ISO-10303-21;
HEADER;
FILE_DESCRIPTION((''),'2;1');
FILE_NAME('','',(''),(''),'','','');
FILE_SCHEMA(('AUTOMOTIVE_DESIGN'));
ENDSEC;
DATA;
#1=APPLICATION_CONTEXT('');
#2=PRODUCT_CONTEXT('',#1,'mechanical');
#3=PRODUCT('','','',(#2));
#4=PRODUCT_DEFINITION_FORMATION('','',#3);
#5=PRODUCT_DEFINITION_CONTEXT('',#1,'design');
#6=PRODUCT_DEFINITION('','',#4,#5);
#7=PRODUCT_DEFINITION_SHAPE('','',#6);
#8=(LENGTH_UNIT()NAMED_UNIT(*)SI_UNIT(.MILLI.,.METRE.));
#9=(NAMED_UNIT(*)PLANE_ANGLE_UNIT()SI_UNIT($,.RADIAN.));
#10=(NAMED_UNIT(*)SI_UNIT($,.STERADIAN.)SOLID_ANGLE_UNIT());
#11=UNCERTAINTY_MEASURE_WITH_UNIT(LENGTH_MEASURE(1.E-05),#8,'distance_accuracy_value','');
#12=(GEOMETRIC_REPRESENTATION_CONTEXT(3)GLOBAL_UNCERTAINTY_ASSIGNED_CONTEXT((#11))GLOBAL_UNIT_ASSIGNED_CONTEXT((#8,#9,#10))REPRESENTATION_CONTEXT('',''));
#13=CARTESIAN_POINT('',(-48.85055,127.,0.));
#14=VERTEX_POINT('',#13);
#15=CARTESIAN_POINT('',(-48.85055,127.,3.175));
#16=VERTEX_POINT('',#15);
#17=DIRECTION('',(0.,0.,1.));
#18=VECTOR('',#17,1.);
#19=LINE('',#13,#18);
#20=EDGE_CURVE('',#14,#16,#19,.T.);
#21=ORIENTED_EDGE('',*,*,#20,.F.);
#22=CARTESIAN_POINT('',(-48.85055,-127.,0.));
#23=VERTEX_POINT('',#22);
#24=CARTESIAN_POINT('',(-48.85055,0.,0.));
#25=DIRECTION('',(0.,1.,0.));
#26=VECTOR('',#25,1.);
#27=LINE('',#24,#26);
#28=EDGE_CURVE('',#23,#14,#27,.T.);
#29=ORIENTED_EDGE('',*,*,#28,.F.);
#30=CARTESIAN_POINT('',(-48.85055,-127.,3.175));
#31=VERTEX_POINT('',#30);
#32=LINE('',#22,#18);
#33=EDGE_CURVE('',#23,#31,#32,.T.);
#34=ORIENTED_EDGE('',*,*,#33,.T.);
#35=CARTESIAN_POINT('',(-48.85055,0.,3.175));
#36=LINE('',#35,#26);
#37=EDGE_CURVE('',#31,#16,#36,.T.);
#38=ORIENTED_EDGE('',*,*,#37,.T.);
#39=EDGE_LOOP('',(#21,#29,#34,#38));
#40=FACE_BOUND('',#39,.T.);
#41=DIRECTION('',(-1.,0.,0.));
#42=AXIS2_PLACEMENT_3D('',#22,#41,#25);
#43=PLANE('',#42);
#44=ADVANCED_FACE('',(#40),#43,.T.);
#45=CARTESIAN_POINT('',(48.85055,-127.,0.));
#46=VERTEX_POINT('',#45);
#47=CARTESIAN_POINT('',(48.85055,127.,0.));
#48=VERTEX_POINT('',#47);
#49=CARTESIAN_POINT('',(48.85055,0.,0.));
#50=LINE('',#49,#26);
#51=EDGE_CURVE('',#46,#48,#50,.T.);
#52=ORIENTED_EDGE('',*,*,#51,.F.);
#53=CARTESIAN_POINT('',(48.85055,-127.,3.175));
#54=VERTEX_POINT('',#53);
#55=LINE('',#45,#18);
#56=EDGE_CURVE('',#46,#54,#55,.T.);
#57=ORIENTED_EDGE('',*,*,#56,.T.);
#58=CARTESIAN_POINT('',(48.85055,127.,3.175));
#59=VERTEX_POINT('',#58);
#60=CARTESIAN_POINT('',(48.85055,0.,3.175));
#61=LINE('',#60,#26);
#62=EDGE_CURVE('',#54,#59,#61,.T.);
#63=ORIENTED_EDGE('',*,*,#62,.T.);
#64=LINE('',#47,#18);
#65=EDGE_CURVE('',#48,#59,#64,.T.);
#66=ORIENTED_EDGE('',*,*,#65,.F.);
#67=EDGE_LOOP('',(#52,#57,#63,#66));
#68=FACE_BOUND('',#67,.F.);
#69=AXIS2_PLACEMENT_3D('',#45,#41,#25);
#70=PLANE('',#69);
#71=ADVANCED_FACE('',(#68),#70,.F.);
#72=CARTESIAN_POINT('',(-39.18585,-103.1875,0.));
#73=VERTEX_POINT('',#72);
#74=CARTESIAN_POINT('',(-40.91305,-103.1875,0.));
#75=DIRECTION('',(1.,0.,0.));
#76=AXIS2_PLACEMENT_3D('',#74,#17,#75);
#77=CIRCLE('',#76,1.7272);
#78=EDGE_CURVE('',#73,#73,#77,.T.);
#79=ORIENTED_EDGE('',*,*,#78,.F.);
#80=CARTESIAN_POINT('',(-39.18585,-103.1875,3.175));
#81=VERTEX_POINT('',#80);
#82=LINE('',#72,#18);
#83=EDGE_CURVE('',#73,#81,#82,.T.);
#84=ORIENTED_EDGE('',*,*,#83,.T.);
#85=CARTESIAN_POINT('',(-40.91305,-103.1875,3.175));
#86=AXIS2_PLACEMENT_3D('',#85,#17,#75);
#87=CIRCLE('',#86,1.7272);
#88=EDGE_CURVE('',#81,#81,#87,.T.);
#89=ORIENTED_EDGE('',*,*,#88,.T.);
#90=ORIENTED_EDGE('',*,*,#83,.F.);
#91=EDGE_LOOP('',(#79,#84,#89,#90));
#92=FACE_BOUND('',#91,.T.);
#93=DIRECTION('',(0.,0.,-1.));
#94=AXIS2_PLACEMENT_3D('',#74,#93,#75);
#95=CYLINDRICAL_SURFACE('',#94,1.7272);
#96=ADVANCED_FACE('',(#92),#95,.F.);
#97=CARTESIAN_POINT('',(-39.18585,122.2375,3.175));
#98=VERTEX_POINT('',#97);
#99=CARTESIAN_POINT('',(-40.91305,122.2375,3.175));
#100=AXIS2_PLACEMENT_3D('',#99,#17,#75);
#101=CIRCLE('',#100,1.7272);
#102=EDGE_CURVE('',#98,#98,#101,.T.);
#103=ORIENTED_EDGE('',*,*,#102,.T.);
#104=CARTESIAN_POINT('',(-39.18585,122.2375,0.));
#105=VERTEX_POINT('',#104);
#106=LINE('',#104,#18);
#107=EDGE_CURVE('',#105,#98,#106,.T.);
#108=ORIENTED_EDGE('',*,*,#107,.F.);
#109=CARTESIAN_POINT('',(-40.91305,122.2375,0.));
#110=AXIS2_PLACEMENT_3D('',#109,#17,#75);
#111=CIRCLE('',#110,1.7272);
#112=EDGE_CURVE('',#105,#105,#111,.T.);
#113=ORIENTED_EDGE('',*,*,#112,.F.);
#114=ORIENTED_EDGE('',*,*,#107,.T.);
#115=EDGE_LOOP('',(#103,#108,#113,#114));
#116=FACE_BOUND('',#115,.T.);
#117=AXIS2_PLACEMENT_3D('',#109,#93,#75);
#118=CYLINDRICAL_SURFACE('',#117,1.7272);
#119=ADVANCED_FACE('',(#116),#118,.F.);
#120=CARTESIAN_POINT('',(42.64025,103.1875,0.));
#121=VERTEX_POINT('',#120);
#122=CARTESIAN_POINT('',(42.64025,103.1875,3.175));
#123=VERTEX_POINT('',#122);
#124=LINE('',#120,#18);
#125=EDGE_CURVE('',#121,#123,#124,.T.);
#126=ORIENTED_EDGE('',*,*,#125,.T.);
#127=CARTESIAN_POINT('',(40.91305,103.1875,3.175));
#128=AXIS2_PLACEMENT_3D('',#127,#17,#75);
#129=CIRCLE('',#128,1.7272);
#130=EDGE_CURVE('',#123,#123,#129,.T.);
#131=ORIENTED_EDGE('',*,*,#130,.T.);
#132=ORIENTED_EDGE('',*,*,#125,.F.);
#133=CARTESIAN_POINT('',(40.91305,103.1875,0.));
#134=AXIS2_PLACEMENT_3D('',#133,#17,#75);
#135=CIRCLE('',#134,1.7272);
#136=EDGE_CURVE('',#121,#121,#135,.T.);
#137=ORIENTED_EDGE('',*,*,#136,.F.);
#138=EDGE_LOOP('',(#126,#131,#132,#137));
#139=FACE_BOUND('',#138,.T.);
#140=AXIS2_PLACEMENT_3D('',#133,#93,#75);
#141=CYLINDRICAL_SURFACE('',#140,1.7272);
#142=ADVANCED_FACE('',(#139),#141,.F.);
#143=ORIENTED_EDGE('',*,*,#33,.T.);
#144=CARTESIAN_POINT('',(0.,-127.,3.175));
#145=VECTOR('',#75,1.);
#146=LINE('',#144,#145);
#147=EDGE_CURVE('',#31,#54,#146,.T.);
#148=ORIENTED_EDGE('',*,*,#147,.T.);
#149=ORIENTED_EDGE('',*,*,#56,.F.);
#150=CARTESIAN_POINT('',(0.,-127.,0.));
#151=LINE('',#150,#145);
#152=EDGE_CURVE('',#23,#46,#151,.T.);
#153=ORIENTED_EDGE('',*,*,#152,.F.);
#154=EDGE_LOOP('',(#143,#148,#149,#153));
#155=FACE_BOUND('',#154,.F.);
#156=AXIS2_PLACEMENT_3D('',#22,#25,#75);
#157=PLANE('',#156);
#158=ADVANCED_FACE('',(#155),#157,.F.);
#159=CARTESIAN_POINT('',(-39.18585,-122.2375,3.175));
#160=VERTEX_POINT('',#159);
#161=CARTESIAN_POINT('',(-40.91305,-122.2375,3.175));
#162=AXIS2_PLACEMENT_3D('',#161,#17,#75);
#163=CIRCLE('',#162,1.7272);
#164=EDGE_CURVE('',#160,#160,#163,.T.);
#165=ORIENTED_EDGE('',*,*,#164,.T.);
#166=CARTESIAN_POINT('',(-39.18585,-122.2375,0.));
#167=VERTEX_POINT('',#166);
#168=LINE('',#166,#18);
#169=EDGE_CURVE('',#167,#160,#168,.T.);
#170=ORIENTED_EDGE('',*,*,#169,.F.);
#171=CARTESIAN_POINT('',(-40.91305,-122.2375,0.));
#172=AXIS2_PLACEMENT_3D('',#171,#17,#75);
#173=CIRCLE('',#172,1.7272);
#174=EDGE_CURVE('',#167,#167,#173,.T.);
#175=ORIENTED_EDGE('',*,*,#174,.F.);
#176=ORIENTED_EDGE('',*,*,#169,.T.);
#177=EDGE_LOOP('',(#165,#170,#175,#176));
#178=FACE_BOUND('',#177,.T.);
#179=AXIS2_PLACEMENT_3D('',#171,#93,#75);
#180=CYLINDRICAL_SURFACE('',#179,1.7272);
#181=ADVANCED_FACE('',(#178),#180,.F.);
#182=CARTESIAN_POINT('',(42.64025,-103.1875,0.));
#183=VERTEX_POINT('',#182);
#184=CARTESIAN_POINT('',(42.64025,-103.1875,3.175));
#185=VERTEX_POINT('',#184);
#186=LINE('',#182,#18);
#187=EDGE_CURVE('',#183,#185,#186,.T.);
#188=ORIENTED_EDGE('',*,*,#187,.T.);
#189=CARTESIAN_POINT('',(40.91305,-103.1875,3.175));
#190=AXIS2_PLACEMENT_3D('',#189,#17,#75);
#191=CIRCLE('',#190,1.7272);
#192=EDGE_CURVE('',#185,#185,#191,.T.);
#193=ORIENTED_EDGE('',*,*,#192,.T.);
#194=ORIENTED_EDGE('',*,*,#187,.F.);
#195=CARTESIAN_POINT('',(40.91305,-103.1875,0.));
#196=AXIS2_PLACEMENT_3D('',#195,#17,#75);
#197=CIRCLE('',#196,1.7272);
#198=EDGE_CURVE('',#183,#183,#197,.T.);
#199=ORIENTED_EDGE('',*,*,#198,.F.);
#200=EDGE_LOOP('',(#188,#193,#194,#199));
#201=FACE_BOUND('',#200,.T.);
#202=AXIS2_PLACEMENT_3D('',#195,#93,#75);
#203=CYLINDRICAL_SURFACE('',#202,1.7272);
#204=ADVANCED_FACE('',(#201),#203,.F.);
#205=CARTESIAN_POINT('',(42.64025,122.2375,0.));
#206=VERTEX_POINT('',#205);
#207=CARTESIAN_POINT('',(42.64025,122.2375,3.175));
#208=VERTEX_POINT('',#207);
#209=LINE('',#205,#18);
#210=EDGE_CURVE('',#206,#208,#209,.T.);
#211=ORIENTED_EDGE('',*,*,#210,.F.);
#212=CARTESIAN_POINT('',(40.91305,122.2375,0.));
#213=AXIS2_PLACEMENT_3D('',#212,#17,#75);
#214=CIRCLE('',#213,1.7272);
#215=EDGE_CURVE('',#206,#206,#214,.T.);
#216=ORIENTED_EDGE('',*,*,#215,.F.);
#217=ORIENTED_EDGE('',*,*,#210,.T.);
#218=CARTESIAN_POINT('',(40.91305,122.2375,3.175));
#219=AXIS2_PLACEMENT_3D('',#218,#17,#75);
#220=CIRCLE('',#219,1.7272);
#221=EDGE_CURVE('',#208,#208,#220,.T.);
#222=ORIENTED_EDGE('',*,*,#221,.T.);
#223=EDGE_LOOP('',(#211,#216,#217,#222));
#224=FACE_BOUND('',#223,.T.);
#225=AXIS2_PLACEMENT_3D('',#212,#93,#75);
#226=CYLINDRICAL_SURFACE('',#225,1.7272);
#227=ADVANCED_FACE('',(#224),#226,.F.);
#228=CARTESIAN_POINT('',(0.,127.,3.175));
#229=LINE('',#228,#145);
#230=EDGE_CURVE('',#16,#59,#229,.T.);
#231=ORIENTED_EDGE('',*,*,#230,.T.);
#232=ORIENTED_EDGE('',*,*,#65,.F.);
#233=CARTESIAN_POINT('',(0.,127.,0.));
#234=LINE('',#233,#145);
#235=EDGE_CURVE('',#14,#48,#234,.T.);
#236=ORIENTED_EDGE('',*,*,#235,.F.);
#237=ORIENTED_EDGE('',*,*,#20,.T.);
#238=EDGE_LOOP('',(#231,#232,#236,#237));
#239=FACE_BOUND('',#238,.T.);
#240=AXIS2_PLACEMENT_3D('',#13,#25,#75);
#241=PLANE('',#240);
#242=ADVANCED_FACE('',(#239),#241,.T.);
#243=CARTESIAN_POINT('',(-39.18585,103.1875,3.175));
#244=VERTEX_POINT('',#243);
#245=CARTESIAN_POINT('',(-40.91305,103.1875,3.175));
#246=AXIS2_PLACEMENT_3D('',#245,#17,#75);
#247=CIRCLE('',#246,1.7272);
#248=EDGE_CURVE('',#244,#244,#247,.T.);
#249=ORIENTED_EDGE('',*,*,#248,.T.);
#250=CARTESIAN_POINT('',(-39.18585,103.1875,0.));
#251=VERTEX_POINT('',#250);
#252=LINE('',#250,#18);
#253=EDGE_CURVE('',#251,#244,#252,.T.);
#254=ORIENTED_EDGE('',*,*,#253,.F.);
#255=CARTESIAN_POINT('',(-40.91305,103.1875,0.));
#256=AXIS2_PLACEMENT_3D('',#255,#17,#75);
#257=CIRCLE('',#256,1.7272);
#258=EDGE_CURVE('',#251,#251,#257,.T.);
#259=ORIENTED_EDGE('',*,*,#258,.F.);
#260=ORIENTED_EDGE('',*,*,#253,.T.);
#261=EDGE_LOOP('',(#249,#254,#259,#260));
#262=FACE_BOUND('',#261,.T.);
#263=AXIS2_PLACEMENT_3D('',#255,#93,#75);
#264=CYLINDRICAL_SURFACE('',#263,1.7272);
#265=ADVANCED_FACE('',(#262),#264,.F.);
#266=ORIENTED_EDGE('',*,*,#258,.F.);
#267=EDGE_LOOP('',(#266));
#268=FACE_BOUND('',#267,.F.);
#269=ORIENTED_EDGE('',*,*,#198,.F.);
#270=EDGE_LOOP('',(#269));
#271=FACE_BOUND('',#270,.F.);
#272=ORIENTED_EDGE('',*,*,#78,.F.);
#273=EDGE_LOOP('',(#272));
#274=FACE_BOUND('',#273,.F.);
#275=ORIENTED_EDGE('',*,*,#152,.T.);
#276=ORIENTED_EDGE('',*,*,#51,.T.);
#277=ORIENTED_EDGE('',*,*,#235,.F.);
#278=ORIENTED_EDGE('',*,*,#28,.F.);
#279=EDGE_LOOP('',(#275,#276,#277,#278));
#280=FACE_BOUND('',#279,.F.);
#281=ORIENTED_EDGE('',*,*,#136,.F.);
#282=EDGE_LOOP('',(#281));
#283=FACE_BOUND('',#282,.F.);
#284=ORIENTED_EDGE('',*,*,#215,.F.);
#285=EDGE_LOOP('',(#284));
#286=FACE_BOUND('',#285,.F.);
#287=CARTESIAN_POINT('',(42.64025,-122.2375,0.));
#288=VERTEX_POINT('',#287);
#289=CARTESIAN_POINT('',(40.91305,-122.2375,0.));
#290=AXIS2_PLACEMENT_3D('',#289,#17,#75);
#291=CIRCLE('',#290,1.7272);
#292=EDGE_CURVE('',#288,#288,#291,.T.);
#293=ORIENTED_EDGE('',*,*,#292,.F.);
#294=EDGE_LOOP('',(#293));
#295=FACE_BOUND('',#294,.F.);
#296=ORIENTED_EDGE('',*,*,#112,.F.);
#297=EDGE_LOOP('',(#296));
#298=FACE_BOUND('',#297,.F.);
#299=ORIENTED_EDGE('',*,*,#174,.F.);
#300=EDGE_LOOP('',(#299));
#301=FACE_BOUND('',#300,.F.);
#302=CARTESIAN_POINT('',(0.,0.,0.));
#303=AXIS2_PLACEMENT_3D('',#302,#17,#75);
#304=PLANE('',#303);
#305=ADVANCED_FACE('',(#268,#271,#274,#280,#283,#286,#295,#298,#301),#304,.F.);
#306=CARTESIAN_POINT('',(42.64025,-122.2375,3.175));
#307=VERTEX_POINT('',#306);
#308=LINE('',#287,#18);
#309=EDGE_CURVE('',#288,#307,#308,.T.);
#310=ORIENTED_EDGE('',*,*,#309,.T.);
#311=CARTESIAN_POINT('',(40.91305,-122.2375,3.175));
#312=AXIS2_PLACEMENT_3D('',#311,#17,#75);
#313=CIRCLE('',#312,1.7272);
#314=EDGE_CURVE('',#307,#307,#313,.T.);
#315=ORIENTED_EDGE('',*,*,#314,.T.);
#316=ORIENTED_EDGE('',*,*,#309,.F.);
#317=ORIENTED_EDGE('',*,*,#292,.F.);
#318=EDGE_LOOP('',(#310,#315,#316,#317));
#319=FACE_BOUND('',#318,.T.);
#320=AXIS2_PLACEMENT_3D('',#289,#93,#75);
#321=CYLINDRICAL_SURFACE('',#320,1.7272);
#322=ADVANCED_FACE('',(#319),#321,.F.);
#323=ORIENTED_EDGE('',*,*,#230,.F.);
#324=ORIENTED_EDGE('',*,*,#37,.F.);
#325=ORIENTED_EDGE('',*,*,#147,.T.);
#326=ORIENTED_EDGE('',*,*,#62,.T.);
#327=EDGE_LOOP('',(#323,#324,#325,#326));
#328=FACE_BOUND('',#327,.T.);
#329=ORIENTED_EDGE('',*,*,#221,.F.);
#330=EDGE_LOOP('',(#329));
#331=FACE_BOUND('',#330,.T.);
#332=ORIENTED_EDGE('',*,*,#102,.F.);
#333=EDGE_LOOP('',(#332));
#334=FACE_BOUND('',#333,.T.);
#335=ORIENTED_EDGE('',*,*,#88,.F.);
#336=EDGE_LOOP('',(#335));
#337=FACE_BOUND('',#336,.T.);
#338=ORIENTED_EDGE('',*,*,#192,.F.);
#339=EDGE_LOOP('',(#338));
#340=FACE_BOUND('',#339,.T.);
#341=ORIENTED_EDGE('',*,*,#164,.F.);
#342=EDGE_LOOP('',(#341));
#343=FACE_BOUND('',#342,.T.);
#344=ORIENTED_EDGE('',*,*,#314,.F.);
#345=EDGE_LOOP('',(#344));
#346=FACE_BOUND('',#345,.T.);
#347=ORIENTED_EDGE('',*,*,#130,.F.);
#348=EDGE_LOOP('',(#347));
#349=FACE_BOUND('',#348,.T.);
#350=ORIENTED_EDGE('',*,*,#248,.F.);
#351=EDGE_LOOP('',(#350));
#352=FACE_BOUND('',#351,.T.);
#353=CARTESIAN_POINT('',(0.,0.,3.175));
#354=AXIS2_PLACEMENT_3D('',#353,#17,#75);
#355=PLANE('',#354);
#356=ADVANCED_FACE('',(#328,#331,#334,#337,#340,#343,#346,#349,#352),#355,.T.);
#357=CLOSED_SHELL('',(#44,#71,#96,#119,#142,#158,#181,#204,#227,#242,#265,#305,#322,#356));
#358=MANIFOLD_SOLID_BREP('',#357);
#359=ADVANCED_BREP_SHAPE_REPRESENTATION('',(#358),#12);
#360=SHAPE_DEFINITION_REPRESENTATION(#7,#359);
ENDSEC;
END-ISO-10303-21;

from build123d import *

# Parameters (mm, degrees)
F0_W     = 97.7011
F0_H     = 254
F0_R     = 1.7272
F1_DEPTH = 3.175


with BuildPart() as f1:
    # F0 (on Top) → F1 (new body)
    with BuildSketch(Plane.XY):
        Rectangle(F0_W, F0_H)
        with Locations((-40.91305, -122.2375)):
            Circle(F0_R, mode=Mode.SUBTRACT)
        with Locations((-40.91305, -103.1875)):
            Circle(F0_R, mode=Mode.SUBTRACT)
        with Locations((40.91305, -122.2375)):
            Circle(F0_R, mode=Mode.SUBTRACT)
        with Locations((40.91305, -103.1875)):
            Circle(F0_R, mode=Mode.SUBTRACT)
        with Locations((-40.91305, 103.1875)):
            Circle(F0_R, mode=Mode.SUBTRACT)
        with Locations((-40.91305, 122.2375)):
            Circle(F0_R, mode=Mode.SUBTRACT)
        with Locations((40.91305, 103.1875)):
            Circle(F0_R, mode=Mode.SUBTRACT)
        with Locations((40.91305, 122.2375)):
            Circle(F0_R, mode=Mode.SUBTRACT)
    extrude(amount=F1_DEPTH)


solid = f1.part
